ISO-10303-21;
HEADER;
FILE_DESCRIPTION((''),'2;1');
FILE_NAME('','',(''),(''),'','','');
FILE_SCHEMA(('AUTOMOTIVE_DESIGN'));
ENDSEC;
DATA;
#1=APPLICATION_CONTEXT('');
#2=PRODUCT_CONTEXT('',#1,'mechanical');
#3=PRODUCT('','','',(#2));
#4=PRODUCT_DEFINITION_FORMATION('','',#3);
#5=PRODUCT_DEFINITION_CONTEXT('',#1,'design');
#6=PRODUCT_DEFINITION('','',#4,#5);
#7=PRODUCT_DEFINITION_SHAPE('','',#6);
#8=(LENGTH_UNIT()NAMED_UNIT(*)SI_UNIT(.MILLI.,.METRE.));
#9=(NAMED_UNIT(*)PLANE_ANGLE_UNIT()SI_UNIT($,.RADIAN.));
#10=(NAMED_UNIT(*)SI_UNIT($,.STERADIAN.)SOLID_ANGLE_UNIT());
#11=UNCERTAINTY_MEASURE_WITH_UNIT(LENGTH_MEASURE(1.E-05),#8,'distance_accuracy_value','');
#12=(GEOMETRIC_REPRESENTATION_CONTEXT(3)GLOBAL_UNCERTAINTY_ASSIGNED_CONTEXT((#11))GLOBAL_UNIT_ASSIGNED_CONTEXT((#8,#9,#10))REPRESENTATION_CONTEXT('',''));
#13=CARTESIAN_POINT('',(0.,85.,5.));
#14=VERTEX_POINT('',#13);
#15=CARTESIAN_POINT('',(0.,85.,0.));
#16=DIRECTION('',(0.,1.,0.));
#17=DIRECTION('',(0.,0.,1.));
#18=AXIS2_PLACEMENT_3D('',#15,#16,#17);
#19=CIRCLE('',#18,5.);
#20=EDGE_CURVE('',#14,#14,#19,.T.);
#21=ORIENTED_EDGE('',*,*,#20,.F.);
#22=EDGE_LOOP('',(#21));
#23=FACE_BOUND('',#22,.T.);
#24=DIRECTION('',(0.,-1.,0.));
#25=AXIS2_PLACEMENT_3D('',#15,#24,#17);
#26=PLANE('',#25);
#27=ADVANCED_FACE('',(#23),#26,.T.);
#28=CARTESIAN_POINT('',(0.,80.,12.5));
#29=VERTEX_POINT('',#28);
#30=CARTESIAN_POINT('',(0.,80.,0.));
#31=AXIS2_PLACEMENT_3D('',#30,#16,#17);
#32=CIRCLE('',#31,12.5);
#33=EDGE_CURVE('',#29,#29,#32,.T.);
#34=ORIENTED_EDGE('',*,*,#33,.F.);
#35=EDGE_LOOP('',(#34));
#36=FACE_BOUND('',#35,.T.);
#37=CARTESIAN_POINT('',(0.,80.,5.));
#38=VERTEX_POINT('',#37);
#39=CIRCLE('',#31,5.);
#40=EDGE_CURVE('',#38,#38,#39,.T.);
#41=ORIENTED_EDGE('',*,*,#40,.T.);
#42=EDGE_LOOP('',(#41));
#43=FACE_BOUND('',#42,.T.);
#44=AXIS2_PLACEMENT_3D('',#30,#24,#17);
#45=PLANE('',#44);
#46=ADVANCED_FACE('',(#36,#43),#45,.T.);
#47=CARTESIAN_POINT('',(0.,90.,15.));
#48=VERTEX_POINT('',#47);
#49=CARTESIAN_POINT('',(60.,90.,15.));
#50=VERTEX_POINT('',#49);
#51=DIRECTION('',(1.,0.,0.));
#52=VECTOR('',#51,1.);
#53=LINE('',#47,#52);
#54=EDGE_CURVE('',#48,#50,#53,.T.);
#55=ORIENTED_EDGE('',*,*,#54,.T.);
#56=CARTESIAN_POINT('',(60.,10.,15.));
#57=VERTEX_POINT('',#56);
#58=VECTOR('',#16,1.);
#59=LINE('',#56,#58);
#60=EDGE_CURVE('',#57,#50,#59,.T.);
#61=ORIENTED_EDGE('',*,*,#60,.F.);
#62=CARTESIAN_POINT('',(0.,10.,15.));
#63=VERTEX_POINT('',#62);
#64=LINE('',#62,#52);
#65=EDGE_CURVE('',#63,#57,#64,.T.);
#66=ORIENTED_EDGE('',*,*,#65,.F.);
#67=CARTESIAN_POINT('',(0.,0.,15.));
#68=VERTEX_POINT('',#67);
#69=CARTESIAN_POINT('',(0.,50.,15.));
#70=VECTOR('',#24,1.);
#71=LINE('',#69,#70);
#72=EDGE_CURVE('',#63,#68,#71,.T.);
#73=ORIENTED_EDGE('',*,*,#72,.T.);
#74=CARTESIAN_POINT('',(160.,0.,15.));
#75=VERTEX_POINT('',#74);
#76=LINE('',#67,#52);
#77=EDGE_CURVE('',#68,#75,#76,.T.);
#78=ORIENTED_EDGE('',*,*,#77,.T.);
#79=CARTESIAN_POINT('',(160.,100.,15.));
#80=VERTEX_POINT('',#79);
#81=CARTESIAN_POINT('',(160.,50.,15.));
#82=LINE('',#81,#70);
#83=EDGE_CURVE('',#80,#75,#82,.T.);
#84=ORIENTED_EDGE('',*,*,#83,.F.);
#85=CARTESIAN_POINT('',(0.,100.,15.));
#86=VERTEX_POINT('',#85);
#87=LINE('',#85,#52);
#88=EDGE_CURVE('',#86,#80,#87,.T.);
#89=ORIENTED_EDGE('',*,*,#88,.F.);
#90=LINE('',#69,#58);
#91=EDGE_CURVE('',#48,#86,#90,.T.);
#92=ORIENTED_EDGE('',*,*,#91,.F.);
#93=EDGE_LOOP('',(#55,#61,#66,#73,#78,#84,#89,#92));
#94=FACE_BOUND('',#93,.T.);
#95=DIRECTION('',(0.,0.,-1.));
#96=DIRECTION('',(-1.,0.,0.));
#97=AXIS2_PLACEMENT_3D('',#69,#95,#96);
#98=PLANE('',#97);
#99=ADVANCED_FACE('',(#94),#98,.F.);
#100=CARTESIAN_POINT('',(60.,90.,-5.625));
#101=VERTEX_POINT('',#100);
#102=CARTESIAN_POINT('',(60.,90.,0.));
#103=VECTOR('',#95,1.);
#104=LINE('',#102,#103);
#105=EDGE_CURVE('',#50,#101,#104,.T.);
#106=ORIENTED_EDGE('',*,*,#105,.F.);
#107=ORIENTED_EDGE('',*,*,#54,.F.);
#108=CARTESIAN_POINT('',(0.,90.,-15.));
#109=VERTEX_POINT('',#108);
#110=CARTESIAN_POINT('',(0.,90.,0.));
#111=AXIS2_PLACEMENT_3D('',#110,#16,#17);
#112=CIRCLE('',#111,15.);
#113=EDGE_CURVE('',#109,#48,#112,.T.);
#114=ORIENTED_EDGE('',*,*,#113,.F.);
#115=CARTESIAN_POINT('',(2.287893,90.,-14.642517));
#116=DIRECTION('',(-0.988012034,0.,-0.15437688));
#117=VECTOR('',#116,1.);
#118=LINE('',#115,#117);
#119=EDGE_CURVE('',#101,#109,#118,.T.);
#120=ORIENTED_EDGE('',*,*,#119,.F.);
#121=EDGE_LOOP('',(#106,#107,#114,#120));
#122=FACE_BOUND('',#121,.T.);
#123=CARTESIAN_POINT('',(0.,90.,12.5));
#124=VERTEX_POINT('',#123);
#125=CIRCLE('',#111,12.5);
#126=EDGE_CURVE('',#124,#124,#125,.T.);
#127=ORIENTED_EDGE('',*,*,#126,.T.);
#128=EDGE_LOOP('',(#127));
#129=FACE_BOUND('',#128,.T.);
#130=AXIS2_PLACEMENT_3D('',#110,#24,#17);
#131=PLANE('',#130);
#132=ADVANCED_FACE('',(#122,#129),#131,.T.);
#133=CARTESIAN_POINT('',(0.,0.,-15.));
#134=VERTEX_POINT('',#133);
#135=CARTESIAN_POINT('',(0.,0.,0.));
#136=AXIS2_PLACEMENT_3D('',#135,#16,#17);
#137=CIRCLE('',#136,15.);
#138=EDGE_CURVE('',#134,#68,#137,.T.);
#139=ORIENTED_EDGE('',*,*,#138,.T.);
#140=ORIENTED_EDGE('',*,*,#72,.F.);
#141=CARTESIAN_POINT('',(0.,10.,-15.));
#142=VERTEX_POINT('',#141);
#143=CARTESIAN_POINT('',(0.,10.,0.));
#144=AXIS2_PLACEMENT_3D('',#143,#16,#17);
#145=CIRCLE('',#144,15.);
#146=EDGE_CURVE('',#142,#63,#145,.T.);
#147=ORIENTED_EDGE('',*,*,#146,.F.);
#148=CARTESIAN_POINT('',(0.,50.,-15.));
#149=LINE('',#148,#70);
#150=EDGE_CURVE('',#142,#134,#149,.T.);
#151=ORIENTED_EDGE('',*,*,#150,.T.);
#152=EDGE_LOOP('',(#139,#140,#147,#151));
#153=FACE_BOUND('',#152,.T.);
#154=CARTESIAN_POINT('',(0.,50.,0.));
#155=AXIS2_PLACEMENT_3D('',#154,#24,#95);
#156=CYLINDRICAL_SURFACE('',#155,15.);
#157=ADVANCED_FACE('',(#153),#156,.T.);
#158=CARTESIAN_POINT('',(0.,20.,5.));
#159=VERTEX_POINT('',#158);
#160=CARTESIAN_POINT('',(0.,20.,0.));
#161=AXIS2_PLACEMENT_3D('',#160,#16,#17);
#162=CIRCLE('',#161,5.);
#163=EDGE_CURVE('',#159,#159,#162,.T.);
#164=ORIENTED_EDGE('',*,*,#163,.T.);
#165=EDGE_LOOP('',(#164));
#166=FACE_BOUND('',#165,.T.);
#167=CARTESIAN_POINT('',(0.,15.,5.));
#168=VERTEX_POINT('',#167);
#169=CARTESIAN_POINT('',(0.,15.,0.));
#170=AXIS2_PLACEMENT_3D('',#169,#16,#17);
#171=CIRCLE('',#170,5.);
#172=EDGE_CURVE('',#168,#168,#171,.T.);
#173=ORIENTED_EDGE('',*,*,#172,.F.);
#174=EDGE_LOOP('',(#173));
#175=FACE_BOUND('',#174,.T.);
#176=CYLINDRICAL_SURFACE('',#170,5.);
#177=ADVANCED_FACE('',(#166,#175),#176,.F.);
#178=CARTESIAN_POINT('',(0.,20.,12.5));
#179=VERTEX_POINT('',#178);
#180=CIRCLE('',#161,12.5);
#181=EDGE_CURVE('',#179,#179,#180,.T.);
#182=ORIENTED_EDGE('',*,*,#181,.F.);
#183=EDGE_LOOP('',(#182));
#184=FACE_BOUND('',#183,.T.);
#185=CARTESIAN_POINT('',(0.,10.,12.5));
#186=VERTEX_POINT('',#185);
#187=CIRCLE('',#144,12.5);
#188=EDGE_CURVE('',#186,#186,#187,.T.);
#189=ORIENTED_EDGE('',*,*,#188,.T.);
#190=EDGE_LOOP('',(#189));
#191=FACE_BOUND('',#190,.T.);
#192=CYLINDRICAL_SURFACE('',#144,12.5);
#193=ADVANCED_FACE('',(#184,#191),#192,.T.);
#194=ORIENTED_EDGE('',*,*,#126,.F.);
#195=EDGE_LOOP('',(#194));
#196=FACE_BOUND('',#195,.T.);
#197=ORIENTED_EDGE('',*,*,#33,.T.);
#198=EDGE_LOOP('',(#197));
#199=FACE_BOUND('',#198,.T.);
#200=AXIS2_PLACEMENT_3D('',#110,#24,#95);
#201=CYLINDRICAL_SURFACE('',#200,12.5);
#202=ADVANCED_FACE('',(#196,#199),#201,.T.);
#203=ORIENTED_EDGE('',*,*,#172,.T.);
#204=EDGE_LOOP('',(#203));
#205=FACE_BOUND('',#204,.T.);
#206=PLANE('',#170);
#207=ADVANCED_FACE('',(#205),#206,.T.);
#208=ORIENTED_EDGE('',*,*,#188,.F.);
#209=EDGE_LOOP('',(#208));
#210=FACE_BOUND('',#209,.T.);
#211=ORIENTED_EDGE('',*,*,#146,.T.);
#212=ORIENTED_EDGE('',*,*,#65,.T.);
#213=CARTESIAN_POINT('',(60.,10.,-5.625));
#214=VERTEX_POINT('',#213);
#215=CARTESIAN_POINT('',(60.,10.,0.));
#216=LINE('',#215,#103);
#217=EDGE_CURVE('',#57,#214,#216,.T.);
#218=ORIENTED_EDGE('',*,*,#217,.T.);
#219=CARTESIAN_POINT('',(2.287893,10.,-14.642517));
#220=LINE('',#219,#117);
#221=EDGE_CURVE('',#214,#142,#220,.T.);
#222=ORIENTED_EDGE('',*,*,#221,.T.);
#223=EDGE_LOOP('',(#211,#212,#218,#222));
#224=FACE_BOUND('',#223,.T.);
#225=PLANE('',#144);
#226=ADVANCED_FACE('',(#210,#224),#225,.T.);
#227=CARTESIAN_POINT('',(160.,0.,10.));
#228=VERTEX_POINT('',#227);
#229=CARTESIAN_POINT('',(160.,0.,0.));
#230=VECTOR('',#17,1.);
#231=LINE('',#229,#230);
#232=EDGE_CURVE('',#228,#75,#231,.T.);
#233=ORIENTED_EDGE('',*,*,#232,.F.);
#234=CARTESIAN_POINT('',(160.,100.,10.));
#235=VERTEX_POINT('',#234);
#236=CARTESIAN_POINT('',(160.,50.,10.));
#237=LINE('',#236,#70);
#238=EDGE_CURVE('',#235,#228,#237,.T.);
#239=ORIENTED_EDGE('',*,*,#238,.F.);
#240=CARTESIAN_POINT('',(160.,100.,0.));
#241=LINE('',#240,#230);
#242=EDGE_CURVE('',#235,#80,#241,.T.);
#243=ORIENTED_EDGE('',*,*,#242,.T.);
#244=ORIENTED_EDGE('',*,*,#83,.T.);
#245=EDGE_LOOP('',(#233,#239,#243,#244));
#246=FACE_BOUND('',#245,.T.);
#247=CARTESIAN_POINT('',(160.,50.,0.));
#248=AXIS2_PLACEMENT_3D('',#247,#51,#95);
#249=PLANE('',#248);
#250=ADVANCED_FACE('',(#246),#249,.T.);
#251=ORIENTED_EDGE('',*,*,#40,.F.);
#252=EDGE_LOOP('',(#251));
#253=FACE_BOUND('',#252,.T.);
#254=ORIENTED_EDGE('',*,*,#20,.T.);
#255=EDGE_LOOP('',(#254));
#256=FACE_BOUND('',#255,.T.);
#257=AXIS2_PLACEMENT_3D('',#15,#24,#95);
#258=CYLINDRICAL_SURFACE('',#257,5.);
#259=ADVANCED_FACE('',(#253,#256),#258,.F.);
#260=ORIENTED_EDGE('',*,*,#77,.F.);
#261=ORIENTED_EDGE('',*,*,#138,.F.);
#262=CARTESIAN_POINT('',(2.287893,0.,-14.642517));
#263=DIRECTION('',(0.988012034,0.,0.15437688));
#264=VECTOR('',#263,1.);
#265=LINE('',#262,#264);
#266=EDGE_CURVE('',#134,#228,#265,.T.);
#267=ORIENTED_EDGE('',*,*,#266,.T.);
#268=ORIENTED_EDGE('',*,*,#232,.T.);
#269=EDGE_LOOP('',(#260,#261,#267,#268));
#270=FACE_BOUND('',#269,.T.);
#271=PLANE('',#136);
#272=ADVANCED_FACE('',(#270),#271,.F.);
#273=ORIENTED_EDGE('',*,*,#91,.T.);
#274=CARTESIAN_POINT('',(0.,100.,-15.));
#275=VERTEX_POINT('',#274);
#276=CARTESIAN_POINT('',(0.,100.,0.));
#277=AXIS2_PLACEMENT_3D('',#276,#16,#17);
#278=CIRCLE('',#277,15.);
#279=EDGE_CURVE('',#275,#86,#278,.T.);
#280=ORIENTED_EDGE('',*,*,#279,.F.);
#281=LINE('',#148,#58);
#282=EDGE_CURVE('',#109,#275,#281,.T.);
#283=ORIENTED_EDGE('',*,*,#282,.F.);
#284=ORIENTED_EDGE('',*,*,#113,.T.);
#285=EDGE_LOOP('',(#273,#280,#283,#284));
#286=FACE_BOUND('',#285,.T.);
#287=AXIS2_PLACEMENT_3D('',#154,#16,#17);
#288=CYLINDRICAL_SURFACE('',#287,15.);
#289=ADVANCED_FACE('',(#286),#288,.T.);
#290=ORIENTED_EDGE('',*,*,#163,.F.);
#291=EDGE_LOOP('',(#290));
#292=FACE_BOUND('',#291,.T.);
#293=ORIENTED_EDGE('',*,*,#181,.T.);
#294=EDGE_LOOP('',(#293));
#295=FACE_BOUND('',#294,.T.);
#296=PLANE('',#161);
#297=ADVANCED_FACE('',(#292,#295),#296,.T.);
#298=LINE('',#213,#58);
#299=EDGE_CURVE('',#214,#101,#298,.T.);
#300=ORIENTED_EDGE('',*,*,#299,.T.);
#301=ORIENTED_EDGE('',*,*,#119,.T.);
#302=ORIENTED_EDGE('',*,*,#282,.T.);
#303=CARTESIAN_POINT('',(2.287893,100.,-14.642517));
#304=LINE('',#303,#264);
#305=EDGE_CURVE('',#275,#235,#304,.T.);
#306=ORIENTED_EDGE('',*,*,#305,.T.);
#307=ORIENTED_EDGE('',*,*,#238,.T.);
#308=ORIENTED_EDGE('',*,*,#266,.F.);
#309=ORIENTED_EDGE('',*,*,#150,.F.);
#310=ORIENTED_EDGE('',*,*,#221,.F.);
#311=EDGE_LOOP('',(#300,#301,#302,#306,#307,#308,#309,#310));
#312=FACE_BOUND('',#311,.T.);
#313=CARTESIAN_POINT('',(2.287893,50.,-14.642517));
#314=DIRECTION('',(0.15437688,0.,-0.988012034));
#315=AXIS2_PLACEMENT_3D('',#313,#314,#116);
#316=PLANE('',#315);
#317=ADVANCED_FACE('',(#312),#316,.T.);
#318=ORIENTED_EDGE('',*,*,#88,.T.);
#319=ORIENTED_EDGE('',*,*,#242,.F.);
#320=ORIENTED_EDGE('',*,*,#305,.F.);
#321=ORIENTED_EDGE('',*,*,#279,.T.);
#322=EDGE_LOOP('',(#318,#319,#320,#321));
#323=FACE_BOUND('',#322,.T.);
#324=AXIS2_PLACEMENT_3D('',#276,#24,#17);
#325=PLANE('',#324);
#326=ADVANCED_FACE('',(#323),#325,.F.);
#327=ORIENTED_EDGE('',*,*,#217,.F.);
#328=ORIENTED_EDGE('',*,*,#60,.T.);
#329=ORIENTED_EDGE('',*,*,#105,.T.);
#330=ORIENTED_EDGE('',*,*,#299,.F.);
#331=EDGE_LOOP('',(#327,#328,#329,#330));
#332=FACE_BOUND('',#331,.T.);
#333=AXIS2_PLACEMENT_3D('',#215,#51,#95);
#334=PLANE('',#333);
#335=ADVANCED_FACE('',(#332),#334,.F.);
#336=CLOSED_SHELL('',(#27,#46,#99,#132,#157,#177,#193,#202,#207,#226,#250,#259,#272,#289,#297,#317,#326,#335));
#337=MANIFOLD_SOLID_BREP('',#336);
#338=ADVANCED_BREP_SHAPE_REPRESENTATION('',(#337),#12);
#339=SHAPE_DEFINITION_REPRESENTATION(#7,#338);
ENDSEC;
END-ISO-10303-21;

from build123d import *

# Parameters (mm, degrees)
BOSS_EXTRUDE1_DEPTH = 50
SKETCH2_R           = 12.5
CUT_EXTRUDE1_DEPTH  = 40
SKETCH3_R           = 12.5
CUT_EXTRUDE2_DEPTH  = 30
SKETCH4_R           = 5
CUT_EXTRUDE3_DEPTH  = 5


with BuildPart() as part:
    # Sketch1 → Boss-Extrude1 (new body)
    with BuildSketch(Plane(origin=(0, 0, 0), x_dir=(1, 0, 0), z_dir=(0, 1, 0))):
        with BuildLine():
            Line((0, -15), (0, 15))
            ThreePointArc((0, 15), (-15, 0), (0, -15))
        make_face()
        with BuildLine():
            Line((4.575786463, 14.285033365), (0, 15))
            Line((0, 15), (0, -15))
            ThreePointArc((0, -15), (10.606601718, -10.606601718), (15, 0))
            ThreePointArc((15, 0), (12.116864218, 8.842036051), (4.575786463, 14.285033365))
        make_face()
        with BuildLine():
            Line((160, -10), (4.575786463, 14.285033365))
            ThreePointArc((4.575786463, 14.285033365), (12.116864218, 8.842036051), (15, 0))
            ThreePointArc((15, 0), (10.606601718, -10.606601718), (0, -15))
            Line((0, -15), (160, -15))
            Line((160, -15), (160, -10))
        make_face()
    boss_extrude1 = extrude(amount=BOSS_EXTRUDE1_DEPTH)

    # Sketch2 → Cut-Extrude1 (cut)
    with BuildSketch(Plane(origin=(0, 50, 0), x_dir=(1, 0, 0), z_dir=(0, 1, 0))):
        with BuildLine():
            ThreePointArc((15, 0), (10.606601718, -10.606601718), (0, -15))
            Line((0, -15), (60, -15))
            Line((60, -15), (60, 5.625))
            Line((60, 5.625), (4.575786463, 14.285033365))
            ThreePointArc((4.575786463, 14.285033365), (12.116864218, 8.842036051), (15, 0))
        make_face()
        with BuildLine():
            ThreePointArc((0, 15), (-15, 0), (0, -15))
            ThreePointArc((0, -15), (10.606601718, -10.606601718), (15, 0))
            ThreePointArc((15, 0), (12.116864218, 8.842036051), (4.575786463, 14.285033365))
            Line((4.575786463, 14.285033365), (0, 15))
        make_face()
        Circle(SKETCH2_R, mode=Mode.SUBTRACT)
    cut_extrude1 = extrude(amount=-CUT_EXTRUDE1_DEPTH, mode=Mode.SUBTRACT)

    # Sketch3 → Cut-Extrude2 (cut)
    with BuildSketch(Plane(origin=(0, 50, 0), x_dir=(1, 0, 0), z_dir=(0, 1, 0))):
        Circle(SKETCH3_R)
    cut_extrude2 = extrude(amount=-CUT_EXTRUDE2_DEPTH, mode=Mode.SUBTRACT)

    # Sketch4 → Cut-Extrude3 (cut)
    with BuildSketch(Plane(origin=(0, 20, 0), x_dir=(1, 0, 0), z_dir=(0, 1, 0))):
        Circle(SKETCH4_R)
    cut_extrude3 = extrude(amount=-CUT_EXTRUDE3_DEPTH, mode=Mode.SUBTRACT)

    # Mirror1: Boss-Extrude1, Cut-Extrude1, Cut-Extrude2, Cut-Extrude3 across plane
    add(boss_extrude1.mirror(Plane.ZX.offset(50)))
    add(cut_extrude1.mirror(Plane.ZX.offset(50)), mode=Mode.SUBTRACT)
    add(cut_extrude2.mirror(Plane.ZX.offset(50)), mode=Mode.SUBTRACT)
    add(cut_extrude3.mirror(Plane.ZX.offset(50)), mode=Mode.SUBTRACT)


solid = part.part
